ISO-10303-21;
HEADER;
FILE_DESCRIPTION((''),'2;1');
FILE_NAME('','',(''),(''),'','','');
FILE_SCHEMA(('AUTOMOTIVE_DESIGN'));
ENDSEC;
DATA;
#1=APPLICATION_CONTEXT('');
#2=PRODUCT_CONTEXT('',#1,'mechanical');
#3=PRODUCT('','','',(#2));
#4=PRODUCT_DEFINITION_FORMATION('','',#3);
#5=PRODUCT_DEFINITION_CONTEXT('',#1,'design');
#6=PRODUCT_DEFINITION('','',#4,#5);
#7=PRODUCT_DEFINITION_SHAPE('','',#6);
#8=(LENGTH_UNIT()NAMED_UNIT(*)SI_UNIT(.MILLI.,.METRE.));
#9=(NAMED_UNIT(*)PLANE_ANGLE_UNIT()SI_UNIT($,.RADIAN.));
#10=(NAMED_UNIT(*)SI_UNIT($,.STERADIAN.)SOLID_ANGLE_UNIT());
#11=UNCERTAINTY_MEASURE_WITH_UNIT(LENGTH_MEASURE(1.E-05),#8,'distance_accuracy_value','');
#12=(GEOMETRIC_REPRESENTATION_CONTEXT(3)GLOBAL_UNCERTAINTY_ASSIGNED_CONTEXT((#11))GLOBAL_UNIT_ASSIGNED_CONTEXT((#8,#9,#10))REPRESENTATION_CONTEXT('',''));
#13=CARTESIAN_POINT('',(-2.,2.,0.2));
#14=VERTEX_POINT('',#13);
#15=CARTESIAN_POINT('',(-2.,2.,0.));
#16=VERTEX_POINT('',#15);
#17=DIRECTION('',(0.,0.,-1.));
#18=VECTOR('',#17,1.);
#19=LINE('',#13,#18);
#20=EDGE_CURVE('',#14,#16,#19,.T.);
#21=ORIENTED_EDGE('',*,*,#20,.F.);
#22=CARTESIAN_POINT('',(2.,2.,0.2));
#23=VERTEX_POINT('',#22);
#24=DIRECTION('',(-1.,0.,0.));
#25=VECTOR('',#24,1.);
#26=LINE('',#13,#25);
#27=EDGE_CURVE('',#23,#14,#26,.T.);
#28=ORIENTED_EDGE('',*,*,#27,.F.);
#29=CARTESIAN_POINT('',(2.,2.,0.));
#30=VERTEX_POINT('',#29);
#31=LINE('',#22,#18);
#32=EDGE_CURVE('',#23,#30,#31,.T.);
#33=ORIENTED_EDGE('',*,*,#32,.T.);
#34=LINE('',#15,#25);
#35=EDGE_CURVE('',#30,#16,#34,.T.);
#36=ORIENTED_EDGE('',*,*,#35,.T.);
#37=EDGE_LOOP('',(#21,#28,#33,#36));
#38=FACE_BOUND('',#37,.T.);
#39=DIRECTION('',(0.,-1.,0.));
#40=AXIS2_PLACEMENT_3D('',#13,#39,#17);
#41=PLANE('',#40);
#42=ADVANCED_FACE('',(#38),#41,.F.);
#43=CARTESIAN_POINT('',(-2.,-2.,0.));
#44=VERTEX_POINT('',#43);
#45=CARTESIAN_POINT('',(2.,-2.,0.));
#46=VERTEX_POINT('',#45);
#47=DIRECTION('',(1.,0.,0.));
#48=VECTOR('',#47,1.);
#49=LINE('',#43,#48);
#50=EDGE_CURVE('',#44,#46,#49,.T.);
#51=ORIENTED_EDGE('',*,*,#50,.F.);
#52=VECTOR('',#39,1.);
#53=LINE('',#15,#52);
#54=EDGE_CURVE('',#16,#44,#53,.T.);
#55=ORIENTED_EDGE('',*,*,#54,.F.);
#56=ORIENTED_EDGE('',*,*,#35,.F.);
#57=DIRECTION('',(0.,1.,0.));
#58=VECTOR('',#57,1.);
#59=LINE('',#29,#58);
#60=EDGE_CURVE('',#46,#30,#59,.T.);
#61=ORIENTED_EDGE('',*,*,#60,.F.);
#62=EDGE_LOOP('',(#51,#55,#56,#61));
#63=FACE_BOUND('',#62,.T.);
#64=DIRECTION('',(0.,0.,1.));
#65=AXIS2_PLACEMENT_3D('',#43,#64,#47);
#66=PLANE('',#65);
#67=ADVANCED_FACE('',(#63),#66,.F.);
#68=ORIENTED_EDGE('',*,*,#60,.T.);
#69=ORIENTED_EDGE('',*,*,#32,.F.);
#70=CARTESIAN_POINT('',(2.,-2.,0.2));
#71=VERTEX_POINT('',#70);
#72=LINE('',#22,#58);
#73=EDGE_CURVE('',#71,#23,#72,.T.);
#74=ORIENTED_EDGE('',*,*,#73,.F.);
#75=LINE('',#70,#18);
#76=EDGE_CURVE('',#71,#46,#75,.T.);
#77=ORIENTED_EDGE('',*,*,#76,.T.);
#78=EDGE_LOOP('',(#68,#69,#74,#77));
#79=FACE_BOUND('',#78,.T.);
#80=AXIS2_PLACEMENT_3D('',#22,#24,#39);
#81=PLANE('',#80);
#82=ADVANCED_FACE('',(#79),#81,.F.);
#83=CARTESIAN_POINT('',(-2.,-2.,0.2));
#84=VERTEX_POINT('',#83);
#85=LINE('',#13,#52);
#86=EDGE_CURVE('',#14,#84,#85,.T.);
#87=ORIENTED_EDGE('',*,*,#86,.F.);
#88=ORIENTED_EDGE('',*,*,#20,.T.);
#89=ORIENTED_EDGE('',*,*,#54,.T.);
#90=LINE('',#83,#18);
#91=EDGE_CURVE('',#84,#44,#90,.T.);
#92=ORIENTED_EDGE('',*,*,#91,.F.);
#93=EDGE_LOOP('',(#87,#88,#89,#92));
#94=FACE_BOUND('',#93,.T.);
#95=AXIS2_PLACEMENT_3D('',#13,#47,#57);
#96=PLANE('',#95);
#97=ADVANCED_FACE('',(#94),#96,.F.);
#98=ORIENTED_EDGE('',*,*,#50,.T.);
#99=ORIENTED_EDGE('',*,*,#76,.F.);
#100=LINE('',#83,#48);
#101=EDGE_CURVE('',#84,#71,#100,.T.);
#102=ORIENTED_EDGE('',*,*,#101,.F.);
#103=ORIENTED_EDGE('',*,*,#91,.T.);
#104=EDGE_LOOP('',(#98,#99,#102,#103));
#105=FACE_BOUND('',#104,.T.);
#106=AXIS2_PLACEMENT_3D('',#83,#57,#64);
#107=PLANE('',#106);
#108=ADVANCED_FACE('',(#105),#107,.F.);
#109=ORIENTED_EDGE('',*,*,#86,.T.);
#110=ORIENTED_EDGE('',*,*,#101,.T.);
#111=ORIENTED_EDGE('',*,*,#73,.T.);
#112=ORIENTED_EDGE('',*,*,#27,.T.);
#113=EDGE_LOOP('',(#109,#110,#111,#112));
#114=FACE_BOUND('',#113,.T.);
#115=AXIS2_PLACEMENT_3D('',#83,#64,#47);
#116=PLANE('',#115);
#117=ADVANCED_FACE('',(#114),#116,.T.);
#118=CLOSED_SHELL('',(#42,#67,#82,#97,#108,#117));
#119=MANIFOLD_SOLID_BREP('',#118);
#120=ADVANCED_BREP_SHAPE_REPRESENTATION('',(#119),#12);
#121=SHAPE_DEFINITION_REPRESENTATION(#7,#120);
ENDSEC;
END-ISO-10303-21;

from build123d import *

# Parameters (mm, degrees)
ESQUISSE1_W        = 4
ESQUISSE1_H        = 4
BOSS_EXTRU_1_DEPTH = 0.2


with BuildPart() as part:
    # Esquisse1 → Boss.-Extru.1 (new body)
    with BuildSketch(Plane.XY):
        Rectangle(ESQUISSE1_W, ESQUISSE1_H)
    extrude(amount=BOSS_EXTRU_1_DEPTH)


solid = part.part
